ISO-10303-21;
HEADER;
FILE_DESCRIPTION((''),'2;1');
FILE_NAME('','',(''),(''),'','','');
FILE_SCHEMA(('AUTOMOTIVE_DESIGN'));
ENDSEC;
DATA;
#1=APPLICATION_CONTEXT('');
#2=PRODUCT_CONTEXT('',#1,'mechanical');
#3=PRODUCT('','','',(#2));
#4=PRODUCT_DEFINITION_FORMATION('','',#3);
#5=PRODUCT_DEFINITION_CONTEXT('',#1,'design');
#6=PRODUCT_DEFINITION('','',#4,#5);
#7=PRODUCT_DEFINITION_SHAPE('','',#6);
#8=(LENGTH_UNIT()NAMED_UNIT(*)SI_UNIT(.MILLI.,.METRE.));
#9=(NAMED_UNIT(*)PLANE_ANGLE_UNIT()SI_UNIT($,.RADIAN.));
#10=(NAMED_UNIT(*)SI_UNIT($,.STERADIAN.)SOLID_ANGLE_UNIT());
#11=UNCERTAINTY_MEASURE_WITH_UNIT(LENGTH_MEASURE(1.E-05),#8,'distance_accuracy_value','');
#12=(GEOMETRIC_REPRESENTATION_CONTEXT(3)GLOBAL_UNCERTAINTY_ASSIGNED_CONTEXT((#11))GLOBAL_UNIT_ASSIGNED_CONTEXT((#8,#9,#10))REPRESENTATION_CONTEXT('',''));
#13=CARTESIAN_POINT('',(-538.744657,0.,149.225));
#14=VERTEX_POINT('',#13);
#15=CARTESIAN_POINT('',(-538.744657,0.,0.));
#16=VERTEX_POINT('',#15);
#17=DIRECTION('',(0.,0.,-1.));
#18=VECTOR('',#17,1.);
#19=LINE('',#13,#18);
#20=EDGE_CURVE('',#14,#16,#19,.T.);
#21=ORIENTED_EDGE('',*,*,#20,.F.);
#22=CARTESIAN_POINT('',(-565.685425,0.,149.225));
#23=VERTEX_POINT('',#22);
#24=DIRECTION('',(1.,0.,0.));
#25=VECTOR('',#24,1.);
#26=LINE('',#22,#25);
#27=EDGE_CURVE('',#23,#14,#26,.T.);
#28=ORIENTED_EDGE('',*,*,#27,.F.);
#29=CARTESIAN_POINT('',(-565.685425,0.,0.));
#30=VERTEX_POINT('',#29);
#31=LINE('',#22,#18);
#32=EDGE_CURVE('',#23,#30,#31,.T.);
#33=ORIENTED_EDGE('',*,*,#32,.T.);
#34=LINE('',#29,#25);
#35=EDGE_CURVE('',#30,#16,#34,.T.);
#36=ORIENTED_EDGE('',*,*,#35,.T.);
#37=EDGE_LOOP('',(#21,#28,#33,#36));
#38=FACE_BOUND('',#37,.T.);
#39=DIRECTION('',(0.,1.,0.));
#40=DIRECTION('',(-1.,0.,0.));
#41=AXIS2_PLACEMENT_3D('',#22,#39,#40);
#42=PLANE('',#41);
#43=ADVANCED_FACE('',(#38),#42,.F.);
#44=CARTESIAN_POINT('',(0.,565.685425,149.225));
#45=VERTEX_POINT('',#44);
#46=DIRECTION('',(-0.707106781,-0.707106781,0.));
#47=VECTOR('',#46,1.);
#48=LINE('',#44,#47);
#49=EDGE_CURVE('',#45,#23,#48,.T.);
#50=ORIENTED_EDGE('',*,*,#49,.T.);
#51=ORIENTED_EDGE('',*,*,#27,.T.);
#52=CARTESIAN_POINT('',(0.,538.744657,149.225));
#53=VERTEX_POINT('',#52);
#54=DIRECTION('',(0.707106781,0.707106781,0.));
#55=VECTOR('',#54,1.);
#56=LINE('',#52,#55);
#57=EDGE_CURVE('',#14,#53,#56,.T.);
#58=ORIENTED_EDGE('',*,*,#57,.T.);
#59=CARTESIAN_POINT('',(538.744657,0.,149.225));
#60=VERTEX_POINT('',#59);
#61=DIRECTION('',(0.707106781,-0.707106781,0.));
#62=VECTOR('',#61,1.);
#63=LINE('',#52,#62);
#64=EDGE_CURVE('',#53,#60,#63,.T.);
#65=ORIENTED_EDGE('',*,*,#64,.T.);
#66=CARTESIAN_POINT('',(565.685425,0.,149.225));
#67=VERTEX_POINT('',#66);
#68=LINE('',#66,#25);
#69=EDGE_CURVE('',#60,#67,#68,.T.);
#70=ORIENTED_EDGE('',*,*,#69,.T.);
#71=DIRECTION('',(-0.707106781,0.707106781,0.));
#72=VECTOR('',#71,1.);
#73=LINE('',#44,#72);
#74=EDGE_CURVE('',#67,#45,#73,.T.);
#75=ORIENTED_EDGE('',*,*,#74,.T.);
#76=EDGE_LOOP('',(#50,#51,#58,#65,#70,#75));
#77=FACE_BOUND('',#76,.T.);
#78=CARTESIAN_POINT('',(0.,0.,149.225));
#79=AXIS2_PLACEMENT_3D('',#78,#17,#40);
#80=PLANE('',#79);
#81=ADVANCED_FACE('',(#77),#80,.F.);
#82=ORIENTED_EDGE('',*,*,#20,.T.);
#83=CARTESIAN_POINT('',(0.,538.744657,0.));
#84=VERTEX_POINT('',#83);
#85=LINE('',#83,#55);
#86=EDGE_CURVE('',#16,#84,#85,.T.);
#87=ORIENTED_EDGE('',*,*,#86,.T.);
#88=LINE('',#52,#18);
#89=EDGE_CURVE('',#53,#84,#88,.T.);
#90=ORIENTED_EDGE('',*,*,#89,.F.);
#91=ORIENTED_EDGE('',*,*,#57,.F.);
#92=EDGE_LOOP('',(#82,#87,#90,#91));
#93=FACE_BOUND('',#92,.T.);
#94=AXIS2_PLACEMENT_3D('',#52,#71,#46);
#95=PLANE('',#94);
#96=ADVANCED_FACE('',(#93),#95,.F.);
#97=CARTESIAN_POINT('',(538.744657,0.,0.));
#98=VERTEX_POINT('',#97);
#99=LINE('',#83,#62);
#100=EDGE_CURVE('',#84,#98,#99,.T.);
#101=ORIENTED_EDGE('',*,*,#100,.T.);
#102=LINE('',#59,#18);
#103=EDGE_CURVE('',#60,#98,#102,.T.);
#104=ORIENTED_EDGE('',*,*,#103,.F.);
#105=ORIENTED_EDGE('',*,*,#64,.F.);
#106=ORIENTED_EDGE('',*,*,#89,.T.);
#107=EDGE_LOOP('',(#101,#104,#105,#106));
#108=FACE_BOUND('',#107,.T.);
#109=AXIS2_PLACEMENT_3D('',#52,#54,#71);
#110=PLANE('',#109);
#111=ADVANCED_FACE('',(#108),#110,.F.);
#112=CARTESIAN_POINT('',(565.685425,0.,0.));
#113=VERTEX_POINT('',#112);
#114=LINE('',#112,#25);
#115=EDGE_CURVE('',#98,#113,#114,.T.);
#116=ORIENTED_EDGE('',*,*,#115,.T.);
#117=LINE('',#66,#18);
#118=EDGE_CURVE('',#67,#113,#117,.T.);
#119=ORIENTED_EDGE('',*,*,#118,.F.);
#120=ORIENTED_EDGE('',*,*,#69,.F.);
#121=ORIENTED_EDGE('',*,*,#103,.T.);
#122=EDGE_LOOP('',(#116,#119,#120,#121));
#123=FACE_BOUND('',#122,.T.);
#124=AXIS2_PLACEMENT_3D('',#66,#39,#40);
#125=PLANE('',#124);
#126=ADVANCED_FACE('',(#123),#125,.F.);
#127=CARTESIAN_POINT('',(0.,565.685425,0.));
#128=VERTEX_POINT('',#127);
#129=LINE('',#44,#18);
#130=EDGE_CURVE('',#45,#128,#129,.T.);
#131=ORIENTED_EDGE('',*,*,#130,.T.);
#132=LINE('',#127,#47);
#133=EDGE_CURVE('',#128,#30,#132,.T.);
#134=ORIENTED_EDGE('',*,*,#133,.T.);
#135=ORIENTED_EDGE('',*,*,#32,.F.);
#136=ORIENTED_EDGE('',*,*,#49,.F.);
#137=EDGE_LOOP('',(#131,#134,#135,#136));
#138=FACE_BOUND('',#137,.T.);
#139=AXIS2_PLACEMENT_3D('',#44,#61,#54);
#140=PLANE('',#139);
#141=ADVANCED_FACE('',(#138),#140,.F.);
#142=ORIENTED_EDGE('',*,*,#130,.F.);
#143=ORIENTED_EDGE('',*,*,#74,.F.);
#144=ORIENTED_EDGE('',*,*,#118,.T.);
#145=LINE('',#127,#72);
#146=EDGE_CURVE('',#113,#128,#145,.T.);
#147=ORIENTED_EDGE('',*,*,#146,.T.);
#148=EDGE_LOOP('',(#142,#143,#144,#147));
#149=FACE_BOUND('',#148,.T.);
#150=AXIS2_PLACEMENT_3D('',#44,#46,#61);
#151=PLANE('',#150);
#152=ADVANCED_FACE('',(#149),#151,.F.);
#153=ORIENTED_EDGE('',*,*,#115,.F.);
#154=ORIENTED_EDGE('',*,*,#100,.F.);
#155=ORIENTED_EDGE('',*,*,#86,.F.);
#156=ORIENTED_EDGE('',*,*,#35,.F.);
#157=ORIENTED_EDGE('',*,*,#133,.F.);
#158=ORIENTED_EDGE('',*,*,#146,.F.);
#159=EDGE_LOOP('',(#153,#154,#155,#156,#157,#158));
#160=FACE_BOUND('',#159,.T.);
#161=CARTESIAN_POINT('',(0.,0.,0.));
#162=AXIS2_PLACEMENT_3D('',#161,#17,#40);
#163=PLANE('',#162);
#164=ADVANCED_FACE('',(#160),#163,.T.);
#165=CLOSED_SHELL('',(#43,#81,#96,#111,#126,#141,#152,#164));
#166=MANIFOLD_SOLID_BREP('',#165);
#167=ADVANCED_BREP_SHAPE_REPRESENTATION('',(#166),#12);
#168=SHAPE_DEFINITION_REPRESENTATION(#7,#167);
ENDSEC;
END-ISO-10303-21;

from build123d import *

# Parameters (mm, degrees)
BOSS_EXTRUDE1_DEPTH = 149.225


with BuildPart() as part:
    # Sketch1 → Boss-Extrude1 (new body)
    with BuildSketch(Plane.XY):
        Polygon((0, 565.685424949), (-565.685424949, 0), (-538.744656586, 0), (0, 538.744656586), (538.744656586, 0), (565.685424949, 0), align=None)
    extrude(amount=BOSS_EXTRUDE1_DEPTH)


solid = part.part
